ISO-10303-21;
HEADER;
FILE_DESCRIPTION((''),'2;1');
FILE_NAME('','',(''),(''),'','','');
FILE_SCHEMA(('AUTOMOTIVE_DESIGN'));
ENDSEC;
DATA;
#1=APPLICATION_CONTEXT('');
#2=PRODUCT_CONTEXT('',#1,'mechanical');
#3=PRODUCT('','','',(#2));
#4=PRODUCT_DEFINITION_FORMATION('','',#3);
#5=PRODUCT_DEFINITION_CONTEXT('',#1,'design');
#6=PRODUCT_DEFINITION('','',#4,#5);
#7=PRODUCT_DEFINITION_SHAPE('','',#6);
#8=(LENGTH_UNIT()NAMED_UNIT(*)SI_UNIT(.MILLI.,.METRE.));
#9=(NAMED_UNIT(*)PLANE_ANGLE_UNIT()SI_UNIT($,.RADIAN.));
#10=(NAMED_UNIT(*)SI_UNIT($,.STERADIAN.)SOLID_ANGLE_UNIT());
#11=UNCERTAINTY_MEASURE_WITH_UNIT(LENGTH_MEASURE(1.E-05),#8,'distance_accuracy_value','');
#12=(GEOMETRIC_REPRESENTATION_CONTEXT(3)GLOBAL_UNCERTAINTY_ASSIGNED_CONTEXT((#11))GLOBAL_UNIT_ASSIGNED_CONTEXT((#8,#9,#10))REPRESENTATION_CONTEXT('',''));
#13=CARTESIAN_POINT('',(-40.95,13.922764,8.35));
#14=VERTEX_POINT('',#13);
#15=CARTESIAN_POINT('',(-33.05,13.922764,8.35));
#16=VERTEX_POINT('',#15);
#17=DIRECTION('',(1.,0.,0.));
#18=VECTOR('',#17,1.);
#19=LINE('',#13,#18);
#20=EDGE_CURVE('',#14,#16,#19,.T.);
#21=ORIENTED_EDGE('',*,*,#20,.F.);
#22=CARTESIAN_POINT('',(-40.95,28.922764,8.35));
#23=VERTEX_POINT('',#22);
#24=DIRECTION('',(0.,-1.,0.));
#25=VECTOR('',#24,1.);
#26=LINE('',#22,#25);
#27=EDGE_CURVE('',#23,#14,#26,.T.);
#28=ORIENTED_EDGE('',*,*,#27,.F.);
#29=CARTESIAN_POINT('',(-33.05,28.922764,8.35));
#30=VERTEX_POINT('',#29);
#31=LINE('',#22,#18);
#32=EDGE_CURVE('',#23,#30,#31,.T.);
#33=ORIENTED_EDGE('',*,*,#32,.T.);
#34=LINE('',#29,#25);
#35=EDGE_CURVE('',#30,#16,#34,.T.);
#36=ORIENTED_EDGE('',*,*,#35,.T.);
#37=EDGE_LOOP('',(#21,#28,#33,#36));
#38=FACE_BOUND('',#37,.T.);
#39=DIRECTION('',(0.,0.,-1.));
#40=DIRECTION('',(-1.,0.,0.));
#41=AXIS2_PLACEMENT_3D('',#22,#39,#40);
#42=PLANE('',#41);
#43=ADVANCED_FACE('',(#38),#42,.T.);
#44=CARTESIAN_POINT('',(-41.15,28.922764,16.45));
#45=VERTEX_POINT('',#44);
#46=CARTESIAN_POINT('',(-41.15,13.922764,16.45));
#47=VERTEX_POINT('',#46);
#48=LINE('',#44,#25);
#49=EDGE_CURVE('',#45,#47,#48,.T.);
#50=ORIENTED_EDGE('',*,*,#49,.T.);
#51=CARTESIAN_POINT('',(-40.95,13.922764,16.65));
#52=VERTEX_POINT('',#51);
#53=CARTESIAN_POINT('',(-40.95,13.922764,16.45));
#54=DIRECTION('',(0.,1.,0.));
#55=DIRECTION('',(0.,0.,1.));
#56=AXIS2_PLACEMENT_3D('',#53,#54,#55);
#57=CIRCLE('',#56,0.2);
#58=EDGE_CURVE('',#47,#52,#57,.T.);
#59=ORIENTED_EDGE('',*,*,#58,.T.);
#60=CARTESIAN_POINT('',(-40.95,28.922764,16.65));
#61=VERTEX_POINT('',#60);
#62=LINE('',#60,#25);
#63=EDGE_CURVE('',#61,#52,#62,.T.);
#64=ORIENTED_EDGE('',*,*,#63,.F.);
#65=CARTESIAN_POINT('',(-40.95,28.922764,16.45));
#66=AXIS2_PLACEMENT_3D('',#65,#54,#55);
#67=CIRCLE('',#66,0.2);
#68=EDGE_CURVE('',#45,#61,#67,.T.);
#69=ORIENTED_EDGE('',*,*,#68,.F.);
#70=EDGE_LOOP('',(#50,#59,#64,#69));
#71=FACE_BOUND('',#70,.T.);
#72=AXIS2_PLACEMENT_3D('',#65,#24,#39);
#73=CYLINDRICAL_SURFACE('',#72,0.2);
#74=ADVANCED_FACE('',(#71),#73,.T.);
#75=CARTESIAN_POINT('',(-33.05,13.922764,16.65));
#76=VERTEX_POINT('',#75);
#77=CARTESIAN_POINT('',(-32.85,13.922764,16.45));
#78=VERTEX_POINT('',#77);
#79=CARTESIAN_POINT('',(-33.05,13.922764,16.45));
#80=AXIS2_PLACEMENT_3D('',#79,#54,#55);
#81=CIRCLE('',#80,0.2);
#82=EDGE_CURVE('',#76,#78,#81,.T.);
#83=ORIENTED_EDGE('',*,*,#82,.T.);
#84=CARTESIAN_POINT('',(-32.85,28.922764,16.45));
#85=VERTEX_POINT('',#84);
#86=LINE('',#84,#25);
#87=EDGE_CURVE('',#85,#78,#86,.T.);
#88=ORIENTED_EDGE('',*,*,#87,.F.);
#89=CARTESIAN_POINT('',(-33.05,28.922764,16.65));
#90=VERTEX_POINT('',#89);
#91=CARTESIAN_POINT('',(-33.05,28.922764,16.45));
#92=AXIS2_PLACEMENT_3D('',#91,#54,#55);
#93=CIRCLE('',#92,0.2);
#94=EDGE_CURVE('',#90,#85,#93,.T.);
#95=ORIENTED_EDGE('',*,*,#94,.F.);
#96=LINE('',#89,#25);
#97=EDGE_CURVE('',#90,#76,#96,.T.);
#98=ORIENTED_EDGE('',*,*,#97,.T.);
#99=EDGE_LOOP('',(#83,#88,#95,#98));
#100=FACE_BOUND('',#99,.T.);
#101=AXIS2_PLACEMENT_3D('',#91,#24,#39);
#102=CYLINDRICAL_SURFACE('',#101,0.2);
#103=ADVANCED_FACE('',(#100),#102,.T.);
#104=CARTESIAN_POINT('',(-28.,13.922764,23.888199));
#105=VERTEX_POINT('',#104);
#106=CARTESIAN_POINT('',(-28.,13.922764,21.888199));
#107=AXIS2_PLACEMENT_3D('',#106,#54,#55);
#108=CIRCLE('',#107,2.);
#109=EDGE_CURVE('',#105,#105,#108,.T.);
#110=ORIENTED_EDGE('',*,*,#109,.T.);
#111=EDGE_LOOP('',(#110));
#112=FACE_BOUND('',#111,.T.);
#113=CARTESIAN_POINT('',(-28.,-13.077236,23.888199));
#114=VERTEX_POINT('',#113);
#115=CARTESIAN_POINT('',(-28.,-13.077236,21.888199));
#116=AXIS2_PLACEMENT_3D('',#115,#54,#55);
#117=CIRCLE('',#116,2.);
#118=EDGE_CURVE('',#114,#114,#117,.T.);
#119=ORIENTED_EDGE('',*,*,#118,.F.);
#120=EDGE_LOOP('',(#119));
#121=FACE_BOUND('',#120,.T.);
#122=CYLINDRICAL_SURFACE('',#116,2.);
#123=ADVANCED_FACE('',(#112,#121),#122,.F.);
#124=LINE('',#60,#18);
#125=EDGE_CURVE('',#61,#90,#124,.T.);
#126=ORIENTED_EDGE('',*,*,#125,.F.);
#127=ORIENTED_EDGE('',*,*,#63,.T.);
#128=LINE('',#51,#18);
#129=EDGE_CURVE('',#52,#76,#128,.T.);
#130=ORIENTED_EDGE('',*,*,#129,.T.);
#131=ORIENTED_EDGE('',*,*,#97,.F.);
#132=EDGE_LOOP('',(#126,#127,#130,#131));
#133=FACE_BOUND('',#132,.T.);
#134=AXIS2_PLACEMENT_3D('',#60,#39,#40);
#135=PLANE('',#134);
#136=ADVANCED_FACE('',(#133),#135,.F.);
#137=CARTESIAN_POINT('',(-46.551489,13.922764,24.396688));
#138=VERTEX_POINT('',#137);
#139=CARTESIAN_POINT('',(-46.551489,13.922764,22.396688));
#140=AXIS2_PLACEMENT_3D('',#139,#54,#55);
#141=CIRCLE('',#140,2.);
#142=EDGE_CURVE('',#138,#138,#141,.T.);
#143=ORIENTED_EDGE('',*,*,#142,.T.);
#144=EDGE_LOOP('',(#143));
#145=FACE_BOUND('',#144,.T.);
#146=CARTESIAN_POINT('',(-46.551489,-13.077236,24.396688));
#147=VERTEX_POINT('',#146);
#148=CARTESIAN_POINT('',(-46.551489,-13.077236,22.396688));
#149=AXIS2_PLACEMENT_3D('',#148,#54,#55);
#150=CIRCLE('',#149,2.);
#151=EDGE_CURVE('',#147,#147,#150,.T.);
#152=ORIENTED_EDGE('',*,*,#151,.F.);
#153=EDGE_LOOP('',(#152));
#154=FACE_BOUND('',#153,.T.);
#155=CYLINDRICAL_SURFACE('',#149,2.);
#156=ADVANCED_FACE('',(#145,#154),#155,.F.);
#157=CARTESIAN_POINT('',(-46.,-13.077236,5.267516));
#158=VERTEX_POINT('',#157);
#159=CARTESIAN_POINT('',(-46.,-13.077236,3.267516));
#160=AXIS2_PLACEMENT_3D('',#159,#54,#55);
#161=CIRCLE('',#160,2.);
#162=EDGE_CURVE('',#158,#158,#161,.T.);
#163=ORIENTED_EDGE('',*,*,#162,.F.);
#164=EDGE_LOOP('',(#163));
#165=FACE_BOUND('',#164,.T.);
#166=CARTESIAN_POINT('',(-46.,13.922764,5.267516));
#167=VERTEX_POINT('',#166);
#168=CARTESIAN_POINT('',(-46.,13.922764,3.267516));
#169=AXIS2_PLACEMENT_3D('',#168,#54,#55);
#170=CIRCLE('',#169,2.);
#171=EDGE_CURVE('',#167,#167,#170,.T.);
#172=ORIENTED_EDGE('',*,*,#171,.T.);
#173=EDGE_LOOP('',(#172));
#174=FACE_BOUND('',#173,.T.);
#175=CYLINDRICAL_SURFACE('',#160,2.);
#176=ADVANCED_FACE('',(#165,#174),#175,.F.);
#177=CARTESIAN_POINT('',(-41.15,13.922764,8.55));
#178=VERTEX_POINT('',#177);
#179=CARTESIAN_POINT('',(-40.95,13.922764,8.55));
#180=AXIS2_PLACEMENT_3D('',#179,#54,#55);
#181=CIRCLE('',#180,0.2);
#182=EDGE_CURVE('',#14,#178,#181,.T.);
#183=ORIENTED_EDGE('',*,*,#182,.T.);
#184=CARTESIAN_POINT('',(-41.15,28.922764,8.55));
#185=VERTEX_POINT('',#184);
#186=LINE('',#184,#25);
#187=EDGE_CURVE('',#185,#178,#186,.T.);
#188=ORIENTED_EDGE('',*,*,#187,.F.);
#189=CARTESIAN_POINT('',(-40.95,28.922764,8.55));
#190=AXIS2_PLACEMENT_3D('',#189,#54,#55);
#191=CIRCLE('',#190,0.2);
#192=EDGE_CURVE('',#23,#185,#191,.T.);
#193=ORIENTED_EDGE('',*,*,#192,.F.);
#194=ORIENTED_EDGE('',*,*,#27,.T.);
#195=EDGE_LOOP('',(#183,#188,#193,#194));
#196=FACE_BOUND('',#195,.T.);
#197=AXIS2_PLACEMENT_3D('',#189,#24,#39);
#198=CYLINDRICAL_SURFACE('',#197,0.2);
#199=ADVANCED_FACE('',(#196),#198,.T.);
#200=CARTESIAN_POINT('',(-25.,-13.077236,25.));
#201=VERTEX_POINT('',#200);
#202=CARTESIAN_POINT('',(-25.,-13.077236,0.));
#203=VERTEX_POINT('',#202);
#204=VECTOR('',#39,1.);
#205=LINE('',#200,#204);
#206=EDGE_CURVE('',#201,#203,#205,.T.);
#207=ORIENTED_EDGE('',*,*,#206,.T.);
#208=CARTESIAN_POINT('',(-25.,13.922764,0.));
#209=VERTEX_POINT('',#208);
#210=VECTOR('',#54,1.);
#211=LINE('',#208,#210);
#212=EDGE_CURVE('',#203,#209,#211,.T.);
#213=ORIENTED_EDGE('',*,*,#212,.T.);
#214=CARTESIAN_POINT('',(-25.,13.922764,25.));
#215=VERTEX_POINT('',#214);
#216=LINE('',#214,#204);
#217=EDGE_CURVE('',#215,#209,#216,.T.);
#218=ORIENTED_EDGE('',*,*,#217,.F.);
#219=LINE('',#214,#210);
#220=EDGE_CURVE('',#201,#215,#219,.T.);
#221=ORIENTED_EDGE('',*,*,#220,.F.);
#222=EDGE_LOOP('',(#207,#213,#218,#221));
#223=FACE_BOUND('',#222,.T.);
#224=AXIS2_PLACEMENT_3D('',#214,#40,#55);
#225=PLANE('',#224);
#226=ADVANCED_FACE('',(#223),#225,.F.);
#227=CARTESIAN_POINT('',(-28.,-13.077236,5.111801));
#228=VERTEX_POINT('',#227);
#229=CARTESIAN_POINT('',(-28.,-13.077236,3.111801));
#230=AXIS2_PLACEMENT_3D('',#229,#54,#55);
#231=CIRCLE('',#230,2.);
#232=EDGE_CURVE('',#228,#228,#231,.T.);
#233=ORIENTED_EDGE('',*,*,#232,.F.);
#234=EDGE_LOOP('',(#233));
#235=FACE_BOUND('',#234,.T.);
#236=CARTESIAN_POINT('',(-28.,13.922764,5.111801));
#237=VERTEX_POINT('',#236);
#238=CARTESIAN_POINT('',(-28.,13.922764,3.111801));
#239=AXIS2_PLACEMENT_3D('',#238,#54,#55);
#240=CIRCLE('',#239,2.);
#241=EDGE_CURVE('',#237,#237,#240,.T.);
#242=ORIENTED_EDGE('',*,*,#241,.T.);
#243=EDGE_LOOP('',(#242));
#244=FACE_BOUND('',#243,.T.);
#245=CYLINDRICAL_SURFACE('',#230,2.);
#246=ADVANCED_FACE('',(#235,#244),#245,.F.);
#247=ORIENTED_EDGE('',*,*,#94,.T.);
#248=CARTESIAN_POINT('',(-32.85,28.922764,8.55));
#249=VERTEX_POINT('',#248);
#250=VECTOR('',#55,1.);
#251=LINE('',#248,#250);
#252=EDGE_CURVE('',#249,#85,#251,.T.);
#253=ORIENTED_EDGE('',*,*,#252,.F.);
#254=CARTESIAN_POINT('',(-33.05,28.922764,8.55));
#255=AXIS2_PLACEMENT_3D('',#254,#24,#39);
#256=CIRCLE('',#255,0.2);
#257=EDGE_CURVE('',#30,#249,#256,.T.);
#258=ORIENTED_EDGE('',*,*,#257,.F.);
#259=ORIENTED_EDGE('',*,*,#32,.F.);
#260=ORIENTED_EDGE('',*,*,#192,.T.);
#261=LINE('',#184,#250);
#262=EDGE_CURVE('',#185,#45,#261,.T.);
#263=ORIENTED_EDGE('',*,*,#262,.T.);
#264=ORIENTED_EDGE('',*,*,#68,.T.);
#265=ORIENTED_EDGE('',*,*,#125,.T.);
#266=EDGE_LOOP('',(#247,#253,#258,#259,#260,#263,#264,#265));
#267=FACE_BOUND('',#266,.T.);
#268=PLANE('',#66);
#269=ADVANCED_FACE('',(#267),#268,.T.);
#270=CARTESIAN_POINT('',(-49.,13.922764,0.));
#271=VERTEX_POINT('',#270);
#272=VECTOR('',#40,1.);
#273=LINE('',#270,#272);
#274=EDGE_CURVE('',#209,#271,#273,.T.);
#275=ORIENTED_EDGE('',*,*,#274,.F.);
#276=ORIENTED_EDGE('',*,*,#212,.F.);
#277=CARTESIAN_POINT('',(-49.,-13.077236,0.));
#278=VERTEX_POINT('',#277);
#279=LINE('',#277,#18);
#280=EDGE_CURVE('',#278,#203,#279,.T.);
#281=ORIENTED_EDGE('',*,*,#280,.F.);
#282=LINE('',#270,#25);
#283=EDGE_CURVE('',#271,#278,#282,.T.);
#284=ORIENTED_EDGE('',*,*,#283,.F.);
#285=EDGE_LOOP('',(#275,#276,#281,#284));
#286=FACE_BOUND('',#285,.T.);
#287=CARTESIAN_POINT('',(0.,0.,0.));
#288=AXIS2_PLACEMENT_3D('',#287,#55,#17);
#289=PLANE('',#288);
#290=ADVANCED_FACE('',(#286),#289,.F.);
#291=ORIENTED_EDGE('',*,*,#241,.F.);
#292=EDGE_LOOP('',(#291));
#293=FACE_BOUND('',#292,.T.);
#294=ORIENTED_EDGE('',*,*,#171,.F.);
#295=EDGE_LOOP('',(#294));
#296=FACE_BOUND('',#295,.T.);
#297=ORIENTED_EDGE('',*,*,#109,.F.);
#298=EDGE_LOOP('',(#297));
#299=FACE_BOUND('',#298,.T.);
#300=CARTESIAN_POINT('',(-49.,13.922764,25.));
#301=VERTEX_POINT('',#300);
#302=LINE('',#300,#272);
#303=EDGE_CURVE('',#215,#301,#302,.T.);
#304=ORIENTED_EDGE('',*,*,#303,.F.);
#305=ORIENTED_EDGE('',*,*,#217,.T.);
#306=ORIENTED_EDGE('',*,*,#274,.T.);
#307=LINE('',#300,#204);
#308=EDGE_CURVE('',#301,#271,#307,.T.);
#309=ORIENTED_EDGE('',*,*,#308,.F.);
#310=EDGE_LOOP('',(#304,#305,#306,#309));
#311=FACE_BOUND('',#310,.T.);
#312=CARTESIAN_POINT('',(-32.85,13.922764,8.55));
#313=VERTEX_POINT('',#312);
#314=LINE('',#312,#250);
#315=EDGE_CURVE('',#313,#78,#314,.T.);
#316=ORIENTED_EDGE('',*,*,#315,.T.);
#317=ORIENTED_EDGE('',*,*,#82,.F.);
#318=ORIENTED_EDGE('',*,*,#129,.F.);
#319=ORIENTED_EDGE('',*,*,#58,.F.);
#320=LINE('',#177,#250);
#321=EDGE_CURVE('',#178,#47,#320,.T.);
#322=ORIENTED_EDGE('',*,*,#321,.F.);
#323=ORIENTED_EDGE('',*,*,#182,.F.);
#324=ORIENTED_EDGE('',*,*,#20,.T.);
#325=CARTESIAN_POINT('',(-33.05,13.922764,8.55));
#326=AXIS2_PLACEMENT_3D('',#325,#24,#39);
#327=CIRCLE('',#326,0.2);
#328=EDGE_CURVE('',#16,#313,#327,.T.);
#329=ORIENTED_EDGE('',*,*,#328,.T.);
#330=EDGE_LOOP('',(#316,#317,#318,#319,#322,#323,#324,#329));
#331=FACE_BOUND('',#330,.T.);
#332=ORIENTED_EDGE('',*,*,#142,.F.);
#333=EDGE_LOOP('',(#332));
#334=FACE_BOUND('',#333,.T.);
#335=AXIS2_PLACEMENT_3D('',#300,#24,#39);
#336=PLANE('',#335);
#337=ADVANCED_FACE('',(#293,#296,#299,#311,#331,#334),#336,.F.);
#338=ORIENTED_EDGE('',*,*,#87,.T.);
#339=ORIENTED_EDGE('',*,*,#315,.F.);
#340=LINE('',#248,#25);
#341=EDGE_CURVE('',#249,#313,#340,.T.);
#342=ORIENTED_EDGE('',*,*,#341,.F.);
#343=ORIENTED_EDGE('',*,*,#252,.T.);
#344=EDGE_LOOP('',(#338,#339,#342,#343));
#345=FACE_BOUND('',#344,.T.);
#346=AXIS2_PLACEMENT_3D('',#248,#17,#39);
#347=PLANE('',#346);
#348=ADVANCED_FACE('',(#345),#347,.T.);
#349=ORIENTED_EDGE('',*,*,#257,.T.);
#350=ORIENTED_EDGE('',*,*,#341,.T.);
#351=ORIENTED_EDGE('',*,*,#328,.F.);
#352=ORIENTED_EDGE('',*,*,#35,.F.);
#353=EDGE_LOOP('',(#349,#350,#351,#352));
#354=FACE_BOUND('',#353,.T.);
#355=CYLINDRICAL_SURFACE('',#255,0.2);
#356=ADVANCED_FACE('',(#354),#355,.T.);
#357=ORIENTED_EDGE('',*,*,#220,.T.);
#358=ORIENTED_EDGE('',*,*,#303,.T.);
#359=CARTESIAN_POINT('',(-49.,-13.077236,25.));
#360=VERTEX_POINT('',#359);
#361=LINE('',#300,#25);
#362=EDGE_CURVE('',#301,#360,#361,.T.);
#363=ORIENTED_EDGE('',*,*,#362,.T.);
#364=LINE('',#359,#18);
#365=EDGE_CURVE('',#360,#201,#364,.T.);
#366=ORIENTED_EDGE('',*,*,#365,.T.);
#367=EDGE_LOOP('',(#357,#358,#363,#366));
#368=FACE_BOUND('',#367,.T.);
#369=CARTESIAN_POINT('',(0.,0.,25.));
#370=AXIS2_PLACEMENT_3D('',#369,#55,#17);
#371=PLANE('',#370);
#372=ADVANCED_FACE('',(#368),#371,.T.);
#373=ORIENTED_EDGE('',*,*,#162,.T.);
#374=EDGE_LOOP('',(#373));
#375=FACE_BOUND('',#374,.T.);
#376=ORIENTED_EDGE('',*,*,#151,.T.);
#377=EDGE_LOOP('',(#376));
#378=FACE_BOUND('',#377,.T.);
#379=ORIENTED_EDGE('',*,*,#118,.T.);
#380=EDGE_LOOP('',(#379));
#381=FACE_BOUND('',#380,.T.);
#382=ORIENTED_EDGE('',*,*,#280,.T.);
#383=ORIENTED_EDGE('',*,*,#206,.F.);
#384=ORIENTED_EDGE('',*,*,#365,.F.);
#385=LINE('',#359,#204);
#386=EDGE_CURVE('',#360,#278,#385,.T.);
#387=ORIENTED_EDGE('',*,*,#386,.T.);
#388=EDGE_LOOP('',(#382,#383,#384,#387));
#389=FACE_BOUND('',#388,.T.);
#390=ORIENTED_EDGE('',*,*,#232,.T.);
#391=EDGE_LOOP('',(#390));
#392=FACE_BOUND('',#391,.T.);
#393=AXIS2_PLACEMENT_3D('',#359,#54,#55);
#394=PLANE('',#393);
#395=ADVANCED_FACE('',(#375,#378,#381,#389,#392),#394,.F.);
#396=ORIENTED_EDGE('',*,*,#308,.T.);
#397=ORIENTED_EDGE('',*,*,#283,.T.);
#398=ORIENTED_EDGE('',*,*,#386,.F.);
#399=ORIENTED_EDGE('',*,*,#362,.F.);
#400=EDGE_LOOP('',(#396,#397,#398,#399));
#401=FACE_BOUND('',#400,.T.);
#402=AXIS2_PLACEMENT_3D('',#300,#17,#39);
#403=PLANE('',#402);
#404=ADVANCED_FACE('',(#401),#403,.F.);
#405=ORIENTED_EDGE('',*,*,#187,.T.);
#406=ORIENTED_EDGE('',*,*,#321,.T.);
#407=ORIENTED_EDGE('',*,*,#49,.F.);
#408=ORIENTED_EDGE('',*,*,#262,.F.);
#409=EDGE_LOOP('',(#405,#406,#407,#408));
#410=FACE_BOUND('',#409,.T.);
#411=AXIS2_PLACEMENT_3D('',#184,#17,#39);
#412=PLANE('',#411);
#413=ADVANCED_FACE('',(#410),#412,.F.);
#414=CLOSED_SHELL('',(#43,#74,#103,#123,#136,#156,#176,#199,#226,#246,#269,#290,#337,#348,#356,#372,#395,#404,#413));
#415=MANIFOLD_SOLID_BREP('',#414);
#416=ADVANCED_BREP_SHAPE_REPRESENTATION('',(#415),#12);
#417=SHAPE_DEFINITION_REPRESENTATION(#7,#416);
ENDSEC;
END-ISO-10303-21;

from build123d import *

# Parameters (mm, degrees)
CROQUIS1_W              = 24
CROQUIS1_H              = 27
SALIENTE_EXTRUIR1_DEPTH = 25
SALIENTE_EXTRUIR2_DEPTH = 15
CROQUIS5_R              = 2
CORTAR_EXTRUIR1_DEPTH   = 27


with BuildPart() as part:
    # Croquis1 → Saliente-Extruir1 (new body)
    with BuildSketch(Plane.XY):
        with Locations((-37, 0.422764228)):
            Rectangle(CROQUIS1_W, CROQUIS1_H)
    extrude(amount=SALIENTE_EXTRUIR1_DEPTH)

    # Croquis2 → Saliente-Extruir2 (add)
    with BuildSketch(Plane(origin=(0, 13.922764228, 0), x_dir=(1, 0, 0), z_dir=(0, 1, 0))):
        with BuildLine():
            Line((-40.95, -8.35), (-33.05, -8.35))
            ThreePointArc((-33.05, -8.35), (-32.908578644, -8.408578644), (-32.85, -8.55))
            Line((-32.85, -8.55), (-32.85, -16.45))
            ThreePointArc((-32.85, -16.45), (-32.908578644, -16.591421356), (-33.05, -16.65))
            Line((-33.05, -16.65), (-40.95, -16.65))
            ThreePointArc((-40.95, -16.65), (-41.091421356, -16.591421356), (-41.15, -16.45))
            Line((-41.15, -16.45), (-41.15, -8.55))
            ThreePointArc((-41.15, -8.55), (-41.091421356, -8.408578644), (-40.95, -8.35))
        make_face()
    extrude(amount=SALIENTE_EXTRUIR2_DEPTH)

    # Croquis5 → Cortar-Extruir1 (cut)
    with BuildSketch(Plane(origin=(0, 13.922764228, 0), x_dir=(1, 0, 0), z_dir=(0, 1, 0))):
        with Locations(Location((-46.551489219, -22.396688282, 0), (0, 0, 270))):
            Circle(CROQUIS5_R)
        with Locations(Location((-28, -21.888198758, 0), (0, 0, 270))):
            Circle(CROQUIS5_R)
        with Locations(Location((-46, -3.267515924, 0), (0, 0, 270))):
            Circle(CROQUIS5_R)
        with Locations(Location((-28, -3.111801242, 0), (0, 0, 270))):
            Circle(CROQUIS5_R)
    extrude(amount=-CORTAR_EXTRUIR1_DEPTH, mode=Mode.SUBTRACT)


solid = part.part
